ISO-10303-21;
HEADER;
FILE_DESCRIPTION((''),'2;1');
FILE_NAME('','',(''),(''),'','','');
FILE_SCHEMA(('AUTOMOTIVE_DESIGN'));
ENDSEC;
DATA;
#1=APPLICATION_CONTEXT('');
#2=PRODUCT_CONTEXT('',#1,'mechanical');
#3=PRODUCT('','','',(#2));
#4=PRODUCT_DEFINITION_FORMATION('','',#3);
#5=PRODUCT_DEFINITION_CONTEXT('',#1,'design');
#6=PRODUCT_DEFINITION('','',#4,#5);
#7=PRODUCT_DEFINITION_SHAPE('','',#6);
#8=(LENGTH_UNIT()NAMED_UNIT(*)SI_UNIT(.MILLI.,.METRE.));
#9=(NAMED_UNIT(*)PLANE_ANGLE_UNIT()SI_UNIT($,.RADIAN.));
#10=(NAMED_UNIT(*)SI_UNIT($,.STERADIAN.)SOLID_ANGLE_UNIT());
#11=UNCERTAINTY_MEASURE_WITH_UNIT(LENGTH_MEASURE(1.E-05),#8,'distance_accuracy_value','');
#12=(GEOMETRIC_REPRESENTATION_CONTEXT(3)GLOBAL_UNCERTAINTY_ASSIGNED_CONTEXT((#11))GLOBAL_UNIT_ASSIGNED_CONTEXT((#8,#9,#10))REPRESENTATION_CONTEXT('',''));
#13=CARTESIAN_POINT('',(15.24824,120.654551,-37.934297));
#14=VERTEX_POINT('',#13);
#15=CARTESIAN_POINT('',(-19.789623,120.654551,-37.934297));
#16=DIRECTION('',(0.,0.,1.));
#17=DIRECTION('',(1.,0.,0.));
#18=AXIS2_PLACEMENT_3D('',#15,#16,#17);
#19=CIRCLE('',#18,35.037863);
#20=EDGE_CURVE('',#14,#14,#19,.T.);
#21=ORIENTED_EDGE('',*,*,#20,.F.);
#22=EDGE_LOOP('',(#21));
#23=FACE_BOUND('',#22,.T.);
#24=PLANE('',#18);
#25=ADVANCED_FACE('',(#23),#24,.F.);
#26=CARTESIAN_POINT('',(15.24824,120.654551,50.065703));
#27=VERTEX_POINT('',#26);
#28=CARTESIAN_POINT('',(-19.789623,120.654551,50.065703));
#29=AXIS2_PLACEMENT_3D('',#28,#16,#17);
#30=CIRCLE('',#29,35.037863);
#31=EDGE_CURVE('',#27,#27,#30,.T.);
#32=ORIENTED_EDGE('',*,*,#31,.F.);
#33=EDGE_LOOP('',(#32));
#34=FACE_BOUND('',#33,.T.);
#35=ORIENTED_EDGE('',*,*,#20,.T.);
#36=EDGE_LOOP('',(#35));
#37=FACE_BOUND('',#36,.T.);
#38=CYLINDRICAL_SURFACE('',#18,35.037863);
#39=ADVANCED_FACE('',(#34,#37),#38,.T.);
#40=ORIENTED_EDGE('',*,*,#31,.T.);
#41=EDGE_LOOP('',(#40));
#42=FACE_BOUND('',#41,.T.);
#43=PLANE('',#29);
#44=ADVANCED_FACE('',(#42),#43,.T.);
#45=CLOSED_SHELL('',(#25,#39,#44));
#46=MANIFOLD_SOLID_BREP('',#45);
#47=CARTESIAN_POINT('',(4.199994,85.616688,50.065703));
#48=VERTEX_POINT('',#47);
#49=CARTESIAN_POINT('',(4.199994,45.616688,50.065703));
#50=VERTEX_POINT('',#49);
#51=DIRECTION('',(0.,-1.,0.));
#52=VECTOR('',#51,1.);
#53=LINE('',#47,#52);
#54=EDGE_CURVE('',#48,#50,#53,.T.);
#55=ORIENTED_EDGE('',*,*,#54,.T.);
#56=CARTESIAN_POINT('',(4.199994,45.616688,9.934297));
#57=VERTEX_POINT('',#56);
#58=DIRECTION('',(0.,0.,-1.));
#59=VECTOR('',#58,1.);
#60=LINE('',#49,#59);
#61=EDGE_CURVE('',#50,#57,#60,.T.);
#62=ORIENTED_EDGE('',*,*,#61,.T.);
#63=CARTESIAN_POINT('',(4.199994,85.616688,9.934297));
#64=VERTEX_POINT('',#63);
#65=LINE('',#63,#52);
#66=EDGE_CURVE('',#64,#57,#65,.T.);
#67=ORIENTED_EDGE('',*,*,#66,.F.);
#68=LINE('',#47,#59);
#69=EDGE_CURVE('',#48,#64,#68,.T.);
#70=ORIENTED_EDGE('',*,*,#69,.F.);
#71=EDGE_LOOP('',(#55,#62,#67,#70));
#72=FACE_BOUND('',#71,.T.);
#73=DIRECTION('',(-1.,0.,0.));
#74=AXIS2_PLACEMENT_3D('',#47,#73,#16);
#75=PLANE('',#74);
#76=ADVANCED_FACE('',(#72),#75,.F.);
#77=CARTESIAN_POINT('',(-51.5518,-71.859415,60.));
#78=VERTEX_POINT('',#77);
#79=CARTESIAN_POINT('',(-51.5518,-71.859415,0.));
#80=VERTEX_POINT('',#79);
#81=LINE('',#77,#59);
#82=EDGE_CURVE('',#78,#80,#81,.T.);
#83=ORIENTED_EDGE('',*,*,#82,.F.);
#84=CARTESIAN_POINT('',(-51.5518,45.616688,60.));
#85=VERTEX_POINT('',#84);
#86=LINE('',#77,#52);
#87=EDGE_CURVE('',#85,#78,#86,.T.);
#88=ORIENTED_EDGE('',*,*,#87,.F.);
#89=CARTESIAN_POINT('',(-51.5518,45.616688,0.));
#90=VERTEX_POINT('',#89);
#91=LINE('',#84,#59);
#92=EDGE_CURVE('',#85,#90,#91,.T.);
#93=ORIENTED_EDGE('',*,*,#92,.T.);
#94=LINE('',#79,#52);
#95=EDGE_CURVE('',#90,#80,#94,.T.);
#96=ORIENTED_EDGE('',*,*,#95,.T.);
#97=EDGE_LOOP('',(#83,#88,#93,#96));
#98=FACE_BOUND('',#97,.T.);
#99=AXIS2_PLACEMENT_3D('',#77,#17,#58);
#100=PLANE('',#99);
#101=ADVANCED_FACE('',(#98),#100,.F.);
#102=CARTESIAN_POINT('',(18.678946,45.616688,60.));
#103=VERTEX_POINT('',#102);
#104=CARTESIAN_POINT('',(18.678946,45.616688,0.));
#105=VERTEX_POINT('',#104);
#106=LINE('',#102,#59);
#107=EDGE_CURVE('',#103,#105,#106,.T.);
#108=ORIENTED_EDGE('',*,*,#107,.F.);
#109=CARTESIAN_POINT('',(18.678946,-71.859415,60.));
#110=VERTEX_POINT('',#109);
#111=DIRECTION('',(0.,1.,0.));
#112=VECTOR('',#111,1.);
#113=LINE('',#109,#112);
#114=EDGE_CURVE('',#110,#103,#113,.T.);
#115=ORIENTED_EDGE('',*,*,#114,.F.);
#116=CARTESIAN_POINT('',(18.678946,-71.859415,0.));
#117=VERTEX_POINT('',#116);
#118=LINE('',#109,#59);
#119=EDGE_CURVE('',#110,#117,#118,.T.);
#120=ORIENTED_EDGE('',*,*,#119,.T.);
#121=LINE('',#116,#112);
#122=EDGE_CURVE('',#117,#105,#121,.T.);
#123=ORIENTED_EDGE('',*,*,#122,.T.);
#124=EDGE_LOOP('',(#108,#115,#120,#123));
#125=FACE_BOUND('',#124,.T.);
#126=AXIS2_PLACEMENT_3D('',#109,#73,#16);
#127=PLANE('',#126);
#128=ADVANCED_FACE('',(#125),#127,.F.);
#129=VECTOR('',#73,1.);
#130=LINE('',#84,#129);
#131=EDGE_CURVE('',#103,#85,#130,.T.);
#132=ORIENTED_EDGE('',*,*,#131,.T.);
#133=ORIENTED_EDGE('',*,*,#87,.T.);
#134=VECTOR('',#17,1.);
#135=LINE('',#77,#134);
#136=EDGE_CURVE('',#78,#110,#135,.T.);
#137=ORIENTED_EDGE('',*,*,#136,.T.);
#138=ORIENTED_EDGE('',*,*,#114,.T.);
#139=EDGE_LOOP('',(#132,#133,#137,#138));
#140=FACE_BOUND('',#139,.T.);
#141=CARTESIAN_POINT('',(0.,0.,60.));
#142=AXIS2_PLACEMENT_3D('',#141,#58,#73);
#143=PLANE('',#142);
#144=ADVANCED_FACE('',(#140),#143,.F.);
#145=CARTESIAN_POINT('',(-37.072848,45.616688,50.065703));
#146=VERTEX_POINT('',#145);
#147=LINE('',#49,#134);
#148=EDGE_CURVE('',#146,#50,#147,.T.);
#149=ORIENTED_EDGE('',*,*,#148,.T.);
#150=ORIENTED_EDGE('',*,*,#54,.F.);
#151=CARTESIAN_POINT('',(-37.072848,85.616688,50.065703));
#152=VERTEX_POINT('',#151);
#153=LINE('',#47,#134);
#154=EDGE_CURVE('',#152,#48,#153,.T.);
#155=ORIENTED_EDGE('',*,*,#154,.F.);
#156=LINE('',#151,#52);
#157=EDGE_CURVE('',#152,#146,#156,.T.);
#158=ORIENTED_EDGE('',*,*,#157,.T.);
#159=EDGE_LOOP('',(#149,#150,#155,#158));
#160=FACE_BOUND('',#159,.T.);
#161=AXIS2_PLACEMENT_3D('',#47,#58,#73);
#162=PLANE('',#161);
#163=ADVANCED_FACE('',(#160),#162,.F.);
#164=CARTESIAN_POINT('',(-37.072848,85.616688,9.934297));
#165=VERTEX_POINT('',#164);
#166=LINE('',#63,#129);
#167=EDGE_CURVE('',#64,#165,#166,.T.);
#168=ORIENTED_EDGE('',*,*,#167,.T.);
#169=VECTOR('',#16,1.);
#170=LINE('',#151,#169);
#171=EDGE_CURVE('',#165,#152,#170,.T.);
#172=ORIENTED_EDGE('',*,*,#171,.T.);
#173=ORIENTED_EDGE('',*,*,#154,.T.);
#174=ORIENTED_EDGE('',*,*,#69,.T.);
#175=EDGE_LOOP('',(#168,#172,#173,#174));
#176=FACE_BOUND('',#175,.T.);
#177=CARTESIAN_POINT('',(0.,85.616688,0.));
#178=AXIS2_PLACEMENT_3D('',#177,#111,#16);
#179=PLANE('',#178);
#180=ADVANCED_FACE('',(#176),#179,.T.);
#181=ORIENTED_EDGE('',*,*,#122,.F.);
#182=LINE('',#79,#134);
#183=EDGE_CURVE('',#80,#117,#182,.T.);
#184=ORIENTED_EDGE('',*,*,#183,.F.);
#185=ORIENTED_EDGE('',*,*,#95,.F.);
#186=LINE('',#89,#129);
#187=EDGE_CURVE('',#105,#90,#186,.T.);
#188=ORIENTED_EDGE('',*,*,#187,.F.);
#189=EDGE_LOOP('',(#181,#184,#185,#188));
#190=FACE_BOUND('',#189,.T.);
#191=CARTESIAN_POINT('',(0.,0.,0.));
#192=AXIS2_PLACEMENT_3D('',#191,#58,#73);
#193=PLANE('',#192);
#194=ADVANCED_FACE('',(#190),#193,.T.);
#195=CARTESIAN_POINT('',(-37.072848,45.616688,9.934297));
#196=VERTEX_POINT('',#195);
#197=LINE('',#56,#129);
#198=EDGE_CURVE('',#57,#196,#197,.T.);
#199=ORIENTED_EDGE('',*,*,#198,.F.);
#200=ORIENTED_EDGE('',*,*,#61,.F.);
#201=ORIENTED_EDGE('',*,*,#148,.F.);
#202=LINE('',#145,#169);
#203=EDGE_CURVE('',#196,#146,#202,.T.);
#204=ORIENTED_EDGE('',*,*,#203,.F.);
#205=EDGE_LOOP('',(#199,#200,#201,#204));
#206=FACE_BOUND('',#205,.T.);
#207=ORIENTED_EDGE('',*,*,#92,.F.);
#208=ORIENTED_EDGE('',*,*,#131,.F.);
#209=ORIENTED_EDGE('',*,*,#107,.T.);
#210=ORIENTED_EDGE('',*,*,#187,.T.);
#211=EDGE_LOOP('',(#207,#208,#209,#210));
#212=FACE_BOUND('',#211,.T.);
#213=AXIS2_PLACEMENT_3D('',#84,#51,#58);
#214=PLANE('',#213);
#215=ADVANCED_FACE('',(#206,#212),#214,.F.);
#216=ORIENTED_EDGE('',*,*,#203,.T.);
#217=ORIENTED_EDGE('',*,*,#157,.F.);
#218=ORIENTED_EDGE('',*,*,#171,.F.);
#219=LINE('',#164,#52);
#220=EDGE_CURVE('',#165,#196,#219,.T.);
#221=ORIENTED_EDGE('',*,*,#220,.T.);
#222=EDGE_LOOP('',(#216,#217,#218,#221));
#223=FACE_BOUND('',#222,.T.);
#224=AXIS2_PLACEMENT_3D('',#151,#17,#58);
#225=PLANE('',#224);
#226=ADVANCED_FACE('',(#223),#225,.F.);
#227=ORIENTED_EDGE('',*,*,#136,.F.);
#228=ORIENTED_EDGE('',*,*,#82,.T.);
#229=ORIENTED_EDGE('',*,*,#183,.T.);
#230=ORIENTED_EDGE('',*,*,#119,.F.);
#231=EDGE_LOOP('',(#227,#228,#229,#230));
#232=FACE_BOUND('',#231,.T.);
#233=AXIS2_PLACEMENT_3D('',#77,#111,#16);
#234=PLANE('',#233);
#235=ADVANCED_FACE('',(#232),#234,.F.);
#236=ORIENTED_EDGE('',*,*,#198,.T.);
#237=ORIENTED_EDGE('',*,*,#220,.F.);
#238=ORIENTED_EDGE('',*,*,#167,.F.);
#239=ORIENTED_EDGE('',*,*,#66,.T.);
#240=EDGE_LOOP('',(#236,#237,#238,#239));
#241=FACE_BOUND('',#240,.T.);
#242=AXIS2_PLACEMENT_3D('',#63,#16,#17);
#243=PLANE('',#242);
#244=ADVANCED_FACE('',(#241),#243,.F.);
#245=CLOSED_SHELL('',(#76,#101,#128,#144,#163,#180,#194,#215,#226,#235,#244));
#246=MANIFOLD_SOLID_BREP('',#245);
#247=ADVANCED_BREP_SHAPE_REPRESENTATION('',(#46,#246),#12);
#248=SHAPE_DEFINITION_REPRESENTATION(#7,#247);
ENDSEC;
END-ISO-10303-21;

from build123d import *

# Parameters (mm, degrees)
SKETCH1_W           = 70.230746482
SKETCH1_H           = 117.476103032
BOSS_EXTRUDE1_DEPTH = 60
SKETCH2_W           = 41.272842477
SKETCH2_H           = 40.131406686
BOSS_EXTRUDE2_DEPTH = 40
SKETCH4_R           = 35.037863264
BOSS_EXTRUDE4_DEPTH = 88


with BuildPart() as part:
    # Sketch1 → Boss-Extrude1 (new body)
    with BuildSketch(Plane.XY):
        with Locations((-16.436427192, -13.121363424)):
            Rectangle(SKETCH1_W, SKETCH1_H)
    extrude(amount=BOSS_EXTRUDE1_DEPTH)

    # Sketch2 → Boss-Extrude2 (add)
    with BuildSketch(Plane(origin=(0, 45.616688092, 0), x_dir=(1, 0, 0), z_dir=(0, 1, 0))):
        with Locations((-16.436427192, -30)):
            Rectangle(SKETCH2_W, SKETCH2_H)
    extrude(amount=BOSS_EXTRUDE2_DEPTH)


with BuildPart() as body_2:
    # Sketch4 → Boss-Extrude4 (new body)
    with BuildSketch(Plane.XY.offset(50.065703343)):
        with Locations((-19.789623092, 120.654551356)):
            Circle(SKETCH4_R)
    extrude(amount=-BOSS_EXTRUDE4_DEPTH)


solid = Compound([part.part, body_2.part])
